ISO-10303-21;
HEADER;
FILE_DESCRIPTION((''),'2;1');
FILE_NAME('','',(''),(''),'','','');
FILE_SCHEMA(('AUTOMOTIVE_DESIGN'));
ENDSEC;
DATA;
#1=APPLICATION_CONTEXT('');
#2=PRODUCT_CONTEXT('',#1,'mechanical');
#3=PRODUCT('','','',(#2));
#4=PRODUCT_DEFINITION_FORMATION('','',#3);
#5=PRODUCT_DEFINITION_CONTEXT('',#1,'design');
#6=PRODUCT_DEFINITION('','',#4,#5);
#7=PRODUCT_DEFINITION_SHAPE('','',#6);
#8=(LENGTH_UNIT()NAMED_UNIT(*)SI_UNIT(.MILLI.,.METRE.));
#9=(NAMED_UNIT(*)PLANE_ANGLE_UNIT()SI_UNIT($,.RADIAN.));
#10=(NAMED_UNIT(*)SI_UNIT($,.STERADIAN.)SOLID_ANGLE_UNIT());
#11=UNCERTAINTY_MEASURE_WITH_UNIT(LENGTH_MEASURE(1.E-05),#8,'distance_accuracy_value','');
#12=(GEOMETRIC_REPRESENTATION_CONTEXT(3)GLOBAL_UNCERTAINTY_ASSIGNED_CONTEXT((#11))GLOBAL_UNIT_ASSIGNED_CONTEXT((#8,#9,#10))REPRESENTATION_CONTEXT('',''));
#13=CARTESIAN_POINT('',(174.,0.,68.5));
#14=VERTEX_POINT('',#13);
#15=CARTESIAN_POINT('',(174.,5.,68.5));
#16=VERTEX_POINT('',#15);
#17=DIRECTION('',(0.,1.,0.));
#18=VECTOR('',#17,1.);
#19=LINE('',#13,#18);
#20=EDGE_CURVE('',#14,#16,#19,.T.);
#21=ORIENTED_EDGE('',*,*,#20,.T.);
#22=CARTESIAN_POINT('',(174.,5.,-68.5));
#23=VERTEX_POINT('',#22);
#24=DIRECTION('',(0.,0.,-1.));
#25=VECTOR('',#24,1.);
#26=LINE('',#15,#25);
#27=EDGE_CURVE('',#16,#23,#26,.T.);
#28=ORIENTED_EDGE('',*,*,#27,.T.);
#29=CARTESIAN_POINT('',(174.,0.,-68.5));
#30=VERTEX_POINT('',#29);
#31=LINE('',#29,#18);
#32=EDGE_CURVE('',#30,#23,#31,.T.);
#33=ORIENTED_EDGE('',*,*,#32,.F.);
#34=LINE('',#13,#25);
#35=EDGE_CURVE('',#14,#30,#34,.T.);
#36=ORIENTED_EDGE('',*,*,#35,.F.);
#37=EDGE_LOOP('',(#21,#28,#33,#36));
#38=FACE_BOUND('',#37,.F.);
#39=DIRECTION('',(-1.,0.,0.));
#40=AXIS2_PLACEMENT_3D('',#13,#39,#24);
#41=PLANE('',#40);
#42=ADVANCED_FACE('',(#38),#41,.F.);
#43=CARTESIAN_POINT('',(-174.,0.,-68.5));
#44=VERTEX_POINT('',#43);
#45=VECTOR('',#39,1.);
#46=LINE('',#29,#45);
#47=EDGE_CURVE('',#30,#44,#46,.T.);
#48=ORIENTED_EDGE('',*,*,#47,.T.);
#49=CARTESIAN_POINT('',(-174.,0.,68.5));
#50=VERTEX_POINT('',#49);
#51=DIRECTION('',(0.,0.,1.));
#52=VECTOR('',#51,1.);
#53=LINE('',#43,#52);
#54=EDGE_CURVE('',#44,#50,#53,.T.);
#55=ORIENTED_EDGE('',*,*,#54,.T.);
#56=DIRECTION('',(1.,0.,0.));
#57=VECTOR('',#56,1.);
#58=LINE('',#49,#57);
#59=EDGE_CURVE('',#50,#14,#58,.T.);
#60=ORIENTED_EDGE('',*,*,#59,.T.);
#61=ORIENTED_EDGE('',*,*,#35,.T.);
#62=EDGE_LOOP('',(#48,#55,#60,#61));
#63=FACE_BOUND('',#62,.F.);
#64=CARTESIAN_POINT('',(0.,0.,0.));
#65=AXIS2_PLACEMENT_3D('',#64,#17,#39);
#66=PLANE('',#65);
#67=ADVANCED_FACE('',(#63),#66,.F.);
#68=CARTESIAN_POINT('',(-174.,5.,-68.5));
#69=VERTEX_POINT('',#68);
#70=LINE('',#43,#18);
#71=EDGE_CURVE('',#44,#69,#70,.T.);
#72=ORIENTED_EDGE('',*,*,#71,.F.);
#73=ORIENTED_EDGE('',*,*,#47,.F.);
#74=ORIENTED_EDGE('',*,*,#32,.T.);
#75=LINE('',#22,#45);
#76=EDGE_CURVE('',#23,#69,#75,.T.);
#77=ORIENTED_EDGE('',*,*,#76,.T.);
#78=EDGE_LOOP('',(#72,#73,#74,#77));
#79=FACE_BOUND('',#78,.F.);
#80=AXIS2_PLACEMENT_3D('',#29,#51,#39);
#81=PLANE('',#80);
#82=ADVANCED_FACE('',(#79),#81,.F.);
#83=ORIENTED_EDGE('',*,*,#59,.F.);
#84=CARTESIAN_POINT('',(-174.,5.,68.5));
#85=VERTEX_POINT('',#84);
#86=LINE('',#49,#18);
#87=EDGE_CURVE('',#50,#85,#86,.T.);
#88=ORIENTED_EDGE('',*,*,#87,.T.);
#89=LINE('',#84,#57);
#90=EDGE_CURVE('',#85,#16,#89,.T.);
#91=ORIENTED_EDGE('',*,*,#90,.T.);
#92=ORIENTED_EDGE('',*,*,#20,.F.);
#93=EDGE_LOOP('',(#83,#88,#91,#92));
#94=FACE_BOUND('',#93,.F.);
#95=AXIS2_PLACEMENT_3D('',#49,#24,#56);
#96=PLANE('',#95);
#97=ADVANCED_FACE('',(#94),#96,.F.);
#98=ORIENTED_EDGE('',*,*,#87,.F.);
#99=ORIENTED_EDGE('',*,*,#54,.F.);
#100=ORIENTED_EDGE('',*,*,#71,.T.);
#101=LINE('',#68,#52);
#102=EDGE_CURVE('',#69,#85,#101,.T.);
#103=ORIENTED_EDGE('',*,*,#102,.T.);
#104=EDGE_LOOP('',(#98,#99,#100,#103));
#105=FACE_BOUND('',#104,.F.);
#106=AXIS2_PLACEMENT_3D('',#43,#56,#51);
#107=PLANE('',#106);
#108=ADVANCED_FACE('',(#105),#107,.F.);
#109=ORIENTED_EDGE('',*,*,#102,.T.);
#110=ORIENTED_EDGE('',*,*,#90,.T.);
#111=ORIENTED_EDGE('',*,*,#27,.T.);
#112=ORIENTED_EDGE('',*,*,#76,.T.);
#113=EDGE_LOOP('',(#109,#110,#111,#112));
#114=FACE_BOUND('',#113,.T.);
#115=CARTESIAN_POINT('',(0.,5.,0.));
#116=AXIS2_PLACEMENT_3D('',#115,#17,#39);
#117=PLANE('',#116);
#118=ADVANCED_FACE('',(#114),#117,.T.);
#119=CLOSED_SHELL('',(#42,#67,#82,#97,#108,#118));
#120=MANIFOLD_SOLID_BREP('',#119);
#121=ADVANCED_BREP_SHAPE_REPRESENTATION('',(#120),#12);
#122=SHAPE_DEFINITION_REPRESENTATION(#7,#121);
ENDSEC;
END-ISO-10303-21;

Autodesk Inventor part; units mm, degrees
ref_plane "YZ Plane" through (0, 0, 0) normal (1, 0, 0) x (0, 1, 0)
ref_plane "XZ Plane" through (0, 0, 0) normal (0, 1, 0) x (-1, 0, 0)
ref_plane "XY Plane" through (0, 0, 0) normal (0, 0, 1) x (1, 0, 0)
sketch "Sketch1" plane through (0, 0, 0) normal (0, 1, 0) x (-1, 0, 0)
  line L0 (-174, -68.5) -> (174, -68.5)
  line L1 (174, -68.5) -> (174, 68.5)
  line L2 (174, 68.5) -> (-174, 68.5)
  line L3 (-174, 68.5) -> (-174, -68.5)
  line L4 (-174, -68.5) -> (174, 68.5) construction
  line L5 (174, -68.5) -> (-174, 68.5) construction
  point P0 (0, 0)
  dimension "d0" = 348
  dimension "d1" = 137
extrude "Extrusion1" add sketch "Sketch1" along normal blind 5
properties part number "Internal hinge side verticle"
